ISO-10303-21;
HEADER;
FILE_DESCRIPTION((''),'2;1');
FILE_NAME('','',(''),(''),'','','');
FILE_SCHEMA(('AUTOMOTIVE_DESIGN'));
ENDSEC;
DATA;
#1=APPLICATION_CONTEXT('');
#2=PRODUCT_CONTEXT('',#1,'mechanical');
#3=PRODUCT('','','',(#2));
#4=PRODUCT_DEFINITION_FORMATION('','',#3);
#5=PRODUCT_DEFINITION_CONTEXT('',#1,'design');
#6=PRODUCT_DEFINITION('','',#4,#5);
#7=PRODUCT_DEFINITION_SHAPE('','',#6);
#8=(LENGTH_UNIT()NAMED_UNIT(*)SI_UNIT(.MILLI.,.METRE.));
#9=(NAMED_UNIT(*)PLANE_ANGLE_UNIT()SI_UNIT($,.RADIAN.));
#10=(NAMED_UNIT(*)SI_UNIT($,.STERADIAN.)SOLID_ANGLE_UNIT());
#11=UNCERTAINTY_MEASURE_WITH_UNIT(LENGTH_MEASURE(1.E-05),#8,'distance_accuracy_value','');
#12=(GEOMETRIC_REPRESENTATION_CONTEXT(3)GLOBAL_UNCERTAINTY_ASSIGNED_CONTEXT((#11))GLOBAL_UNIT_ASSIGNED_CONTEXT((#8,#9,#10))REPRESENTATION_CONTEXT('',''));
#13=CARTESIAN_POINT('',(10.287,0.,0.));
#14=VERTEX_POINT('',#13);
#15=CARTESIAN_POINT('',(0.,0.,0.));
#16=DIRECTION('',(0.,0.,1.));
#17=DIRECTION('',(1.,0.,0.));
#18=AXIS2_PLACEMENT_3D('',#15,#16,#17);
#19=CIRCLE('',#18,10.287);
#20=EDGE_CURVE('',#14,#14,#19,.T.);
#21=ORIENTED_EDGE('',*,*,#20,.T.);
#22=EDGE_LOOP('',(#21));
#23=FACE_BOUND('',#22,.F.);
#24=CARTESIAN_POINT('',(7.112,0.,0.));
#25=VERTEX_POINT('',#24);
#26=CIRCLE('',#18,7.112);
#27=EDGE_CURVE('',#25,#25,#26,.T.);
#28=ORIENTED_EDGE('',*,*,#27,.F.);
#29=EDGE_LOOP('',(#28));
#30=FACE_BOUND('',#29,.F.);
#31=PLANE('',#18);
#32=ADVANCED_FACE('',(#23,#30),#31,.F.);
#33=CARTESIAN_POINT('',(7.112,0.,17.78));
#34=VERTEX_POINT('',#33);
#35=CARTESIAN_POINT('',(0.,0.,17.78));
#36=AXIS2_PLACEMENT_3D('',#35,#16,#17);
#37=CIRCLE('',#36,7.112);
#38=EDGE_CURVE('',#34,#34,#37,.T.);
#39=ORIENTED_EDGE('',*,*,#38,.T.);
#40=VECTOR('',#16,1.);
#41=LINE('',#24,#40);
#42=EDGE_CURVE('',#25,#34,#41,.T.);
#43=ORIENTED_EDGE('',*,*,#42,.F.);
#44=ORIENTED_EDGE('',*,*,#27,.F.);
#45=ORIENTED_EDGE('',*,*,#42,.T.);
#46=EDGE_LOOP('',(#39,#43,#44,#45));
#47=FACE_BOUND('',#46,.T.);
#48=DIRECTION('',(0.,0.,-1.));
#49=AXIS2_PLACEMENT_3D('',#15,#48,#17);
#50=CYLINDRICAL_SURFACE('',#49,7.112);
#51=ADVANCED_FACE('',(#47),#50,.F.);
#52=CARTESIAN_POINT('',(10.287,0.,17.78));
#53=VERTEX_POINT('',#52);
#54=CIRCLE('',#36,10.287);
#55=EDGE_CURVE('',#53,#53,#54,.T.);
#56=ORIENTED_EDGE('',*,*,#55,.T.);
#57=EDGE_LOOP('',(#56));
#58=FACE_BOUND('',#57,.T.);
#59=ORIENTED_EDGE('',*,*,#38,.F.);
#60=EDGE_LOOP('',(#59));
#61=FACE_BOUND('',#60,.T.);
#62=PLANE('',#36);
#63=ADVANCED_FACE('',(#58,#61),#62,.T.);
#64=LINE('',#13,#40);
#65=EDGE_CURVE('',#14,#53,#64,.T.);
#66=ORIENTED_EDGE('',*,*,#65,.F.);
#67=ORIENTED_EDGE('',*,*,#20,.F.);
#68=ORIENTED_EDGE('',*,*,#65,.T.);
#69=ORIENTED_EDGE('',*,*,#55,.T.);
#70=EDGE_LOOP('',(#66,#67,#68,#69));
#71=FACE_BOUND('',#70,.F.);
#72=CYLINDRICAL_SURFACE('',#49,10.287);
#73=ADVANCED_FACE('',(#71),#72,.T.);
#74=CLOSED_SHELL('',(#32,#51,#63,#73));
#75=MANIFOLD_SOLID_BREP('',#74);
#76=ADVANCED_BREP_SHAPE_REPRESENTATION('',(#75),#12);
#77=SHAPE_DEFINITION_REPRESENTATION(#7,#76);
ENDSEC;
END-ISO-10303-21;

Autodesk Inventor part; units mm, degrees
ref_plane "YZ Plane" through (0, 0, 0) normal (1, 0, 0) x (0, 1, 0)
ref_plane "XZ Plane" through (0, 0, 0) normal (0, 1, 0) x (-1, 0, 0)
ref_plane "XY Plane" through (0, 0, 0) normal (0, 0, 1) x (1, 0, 0)
sketch "Sketch1" plane through (0, 0, 0) normal (0, 0, 1) x (1, 0, 0)
  circle A0 centre (0, 0) radius 7.112
  circle A1 centre (0, 0) radius 10.287
  dimension "d0" = 14.224
  dimension "d1" = 3.175
extrude "Extrusion1" add sketch "Sketch1" along normal blind 17.78
properties part number "GP-SP-006" material "ABS Plastic"
